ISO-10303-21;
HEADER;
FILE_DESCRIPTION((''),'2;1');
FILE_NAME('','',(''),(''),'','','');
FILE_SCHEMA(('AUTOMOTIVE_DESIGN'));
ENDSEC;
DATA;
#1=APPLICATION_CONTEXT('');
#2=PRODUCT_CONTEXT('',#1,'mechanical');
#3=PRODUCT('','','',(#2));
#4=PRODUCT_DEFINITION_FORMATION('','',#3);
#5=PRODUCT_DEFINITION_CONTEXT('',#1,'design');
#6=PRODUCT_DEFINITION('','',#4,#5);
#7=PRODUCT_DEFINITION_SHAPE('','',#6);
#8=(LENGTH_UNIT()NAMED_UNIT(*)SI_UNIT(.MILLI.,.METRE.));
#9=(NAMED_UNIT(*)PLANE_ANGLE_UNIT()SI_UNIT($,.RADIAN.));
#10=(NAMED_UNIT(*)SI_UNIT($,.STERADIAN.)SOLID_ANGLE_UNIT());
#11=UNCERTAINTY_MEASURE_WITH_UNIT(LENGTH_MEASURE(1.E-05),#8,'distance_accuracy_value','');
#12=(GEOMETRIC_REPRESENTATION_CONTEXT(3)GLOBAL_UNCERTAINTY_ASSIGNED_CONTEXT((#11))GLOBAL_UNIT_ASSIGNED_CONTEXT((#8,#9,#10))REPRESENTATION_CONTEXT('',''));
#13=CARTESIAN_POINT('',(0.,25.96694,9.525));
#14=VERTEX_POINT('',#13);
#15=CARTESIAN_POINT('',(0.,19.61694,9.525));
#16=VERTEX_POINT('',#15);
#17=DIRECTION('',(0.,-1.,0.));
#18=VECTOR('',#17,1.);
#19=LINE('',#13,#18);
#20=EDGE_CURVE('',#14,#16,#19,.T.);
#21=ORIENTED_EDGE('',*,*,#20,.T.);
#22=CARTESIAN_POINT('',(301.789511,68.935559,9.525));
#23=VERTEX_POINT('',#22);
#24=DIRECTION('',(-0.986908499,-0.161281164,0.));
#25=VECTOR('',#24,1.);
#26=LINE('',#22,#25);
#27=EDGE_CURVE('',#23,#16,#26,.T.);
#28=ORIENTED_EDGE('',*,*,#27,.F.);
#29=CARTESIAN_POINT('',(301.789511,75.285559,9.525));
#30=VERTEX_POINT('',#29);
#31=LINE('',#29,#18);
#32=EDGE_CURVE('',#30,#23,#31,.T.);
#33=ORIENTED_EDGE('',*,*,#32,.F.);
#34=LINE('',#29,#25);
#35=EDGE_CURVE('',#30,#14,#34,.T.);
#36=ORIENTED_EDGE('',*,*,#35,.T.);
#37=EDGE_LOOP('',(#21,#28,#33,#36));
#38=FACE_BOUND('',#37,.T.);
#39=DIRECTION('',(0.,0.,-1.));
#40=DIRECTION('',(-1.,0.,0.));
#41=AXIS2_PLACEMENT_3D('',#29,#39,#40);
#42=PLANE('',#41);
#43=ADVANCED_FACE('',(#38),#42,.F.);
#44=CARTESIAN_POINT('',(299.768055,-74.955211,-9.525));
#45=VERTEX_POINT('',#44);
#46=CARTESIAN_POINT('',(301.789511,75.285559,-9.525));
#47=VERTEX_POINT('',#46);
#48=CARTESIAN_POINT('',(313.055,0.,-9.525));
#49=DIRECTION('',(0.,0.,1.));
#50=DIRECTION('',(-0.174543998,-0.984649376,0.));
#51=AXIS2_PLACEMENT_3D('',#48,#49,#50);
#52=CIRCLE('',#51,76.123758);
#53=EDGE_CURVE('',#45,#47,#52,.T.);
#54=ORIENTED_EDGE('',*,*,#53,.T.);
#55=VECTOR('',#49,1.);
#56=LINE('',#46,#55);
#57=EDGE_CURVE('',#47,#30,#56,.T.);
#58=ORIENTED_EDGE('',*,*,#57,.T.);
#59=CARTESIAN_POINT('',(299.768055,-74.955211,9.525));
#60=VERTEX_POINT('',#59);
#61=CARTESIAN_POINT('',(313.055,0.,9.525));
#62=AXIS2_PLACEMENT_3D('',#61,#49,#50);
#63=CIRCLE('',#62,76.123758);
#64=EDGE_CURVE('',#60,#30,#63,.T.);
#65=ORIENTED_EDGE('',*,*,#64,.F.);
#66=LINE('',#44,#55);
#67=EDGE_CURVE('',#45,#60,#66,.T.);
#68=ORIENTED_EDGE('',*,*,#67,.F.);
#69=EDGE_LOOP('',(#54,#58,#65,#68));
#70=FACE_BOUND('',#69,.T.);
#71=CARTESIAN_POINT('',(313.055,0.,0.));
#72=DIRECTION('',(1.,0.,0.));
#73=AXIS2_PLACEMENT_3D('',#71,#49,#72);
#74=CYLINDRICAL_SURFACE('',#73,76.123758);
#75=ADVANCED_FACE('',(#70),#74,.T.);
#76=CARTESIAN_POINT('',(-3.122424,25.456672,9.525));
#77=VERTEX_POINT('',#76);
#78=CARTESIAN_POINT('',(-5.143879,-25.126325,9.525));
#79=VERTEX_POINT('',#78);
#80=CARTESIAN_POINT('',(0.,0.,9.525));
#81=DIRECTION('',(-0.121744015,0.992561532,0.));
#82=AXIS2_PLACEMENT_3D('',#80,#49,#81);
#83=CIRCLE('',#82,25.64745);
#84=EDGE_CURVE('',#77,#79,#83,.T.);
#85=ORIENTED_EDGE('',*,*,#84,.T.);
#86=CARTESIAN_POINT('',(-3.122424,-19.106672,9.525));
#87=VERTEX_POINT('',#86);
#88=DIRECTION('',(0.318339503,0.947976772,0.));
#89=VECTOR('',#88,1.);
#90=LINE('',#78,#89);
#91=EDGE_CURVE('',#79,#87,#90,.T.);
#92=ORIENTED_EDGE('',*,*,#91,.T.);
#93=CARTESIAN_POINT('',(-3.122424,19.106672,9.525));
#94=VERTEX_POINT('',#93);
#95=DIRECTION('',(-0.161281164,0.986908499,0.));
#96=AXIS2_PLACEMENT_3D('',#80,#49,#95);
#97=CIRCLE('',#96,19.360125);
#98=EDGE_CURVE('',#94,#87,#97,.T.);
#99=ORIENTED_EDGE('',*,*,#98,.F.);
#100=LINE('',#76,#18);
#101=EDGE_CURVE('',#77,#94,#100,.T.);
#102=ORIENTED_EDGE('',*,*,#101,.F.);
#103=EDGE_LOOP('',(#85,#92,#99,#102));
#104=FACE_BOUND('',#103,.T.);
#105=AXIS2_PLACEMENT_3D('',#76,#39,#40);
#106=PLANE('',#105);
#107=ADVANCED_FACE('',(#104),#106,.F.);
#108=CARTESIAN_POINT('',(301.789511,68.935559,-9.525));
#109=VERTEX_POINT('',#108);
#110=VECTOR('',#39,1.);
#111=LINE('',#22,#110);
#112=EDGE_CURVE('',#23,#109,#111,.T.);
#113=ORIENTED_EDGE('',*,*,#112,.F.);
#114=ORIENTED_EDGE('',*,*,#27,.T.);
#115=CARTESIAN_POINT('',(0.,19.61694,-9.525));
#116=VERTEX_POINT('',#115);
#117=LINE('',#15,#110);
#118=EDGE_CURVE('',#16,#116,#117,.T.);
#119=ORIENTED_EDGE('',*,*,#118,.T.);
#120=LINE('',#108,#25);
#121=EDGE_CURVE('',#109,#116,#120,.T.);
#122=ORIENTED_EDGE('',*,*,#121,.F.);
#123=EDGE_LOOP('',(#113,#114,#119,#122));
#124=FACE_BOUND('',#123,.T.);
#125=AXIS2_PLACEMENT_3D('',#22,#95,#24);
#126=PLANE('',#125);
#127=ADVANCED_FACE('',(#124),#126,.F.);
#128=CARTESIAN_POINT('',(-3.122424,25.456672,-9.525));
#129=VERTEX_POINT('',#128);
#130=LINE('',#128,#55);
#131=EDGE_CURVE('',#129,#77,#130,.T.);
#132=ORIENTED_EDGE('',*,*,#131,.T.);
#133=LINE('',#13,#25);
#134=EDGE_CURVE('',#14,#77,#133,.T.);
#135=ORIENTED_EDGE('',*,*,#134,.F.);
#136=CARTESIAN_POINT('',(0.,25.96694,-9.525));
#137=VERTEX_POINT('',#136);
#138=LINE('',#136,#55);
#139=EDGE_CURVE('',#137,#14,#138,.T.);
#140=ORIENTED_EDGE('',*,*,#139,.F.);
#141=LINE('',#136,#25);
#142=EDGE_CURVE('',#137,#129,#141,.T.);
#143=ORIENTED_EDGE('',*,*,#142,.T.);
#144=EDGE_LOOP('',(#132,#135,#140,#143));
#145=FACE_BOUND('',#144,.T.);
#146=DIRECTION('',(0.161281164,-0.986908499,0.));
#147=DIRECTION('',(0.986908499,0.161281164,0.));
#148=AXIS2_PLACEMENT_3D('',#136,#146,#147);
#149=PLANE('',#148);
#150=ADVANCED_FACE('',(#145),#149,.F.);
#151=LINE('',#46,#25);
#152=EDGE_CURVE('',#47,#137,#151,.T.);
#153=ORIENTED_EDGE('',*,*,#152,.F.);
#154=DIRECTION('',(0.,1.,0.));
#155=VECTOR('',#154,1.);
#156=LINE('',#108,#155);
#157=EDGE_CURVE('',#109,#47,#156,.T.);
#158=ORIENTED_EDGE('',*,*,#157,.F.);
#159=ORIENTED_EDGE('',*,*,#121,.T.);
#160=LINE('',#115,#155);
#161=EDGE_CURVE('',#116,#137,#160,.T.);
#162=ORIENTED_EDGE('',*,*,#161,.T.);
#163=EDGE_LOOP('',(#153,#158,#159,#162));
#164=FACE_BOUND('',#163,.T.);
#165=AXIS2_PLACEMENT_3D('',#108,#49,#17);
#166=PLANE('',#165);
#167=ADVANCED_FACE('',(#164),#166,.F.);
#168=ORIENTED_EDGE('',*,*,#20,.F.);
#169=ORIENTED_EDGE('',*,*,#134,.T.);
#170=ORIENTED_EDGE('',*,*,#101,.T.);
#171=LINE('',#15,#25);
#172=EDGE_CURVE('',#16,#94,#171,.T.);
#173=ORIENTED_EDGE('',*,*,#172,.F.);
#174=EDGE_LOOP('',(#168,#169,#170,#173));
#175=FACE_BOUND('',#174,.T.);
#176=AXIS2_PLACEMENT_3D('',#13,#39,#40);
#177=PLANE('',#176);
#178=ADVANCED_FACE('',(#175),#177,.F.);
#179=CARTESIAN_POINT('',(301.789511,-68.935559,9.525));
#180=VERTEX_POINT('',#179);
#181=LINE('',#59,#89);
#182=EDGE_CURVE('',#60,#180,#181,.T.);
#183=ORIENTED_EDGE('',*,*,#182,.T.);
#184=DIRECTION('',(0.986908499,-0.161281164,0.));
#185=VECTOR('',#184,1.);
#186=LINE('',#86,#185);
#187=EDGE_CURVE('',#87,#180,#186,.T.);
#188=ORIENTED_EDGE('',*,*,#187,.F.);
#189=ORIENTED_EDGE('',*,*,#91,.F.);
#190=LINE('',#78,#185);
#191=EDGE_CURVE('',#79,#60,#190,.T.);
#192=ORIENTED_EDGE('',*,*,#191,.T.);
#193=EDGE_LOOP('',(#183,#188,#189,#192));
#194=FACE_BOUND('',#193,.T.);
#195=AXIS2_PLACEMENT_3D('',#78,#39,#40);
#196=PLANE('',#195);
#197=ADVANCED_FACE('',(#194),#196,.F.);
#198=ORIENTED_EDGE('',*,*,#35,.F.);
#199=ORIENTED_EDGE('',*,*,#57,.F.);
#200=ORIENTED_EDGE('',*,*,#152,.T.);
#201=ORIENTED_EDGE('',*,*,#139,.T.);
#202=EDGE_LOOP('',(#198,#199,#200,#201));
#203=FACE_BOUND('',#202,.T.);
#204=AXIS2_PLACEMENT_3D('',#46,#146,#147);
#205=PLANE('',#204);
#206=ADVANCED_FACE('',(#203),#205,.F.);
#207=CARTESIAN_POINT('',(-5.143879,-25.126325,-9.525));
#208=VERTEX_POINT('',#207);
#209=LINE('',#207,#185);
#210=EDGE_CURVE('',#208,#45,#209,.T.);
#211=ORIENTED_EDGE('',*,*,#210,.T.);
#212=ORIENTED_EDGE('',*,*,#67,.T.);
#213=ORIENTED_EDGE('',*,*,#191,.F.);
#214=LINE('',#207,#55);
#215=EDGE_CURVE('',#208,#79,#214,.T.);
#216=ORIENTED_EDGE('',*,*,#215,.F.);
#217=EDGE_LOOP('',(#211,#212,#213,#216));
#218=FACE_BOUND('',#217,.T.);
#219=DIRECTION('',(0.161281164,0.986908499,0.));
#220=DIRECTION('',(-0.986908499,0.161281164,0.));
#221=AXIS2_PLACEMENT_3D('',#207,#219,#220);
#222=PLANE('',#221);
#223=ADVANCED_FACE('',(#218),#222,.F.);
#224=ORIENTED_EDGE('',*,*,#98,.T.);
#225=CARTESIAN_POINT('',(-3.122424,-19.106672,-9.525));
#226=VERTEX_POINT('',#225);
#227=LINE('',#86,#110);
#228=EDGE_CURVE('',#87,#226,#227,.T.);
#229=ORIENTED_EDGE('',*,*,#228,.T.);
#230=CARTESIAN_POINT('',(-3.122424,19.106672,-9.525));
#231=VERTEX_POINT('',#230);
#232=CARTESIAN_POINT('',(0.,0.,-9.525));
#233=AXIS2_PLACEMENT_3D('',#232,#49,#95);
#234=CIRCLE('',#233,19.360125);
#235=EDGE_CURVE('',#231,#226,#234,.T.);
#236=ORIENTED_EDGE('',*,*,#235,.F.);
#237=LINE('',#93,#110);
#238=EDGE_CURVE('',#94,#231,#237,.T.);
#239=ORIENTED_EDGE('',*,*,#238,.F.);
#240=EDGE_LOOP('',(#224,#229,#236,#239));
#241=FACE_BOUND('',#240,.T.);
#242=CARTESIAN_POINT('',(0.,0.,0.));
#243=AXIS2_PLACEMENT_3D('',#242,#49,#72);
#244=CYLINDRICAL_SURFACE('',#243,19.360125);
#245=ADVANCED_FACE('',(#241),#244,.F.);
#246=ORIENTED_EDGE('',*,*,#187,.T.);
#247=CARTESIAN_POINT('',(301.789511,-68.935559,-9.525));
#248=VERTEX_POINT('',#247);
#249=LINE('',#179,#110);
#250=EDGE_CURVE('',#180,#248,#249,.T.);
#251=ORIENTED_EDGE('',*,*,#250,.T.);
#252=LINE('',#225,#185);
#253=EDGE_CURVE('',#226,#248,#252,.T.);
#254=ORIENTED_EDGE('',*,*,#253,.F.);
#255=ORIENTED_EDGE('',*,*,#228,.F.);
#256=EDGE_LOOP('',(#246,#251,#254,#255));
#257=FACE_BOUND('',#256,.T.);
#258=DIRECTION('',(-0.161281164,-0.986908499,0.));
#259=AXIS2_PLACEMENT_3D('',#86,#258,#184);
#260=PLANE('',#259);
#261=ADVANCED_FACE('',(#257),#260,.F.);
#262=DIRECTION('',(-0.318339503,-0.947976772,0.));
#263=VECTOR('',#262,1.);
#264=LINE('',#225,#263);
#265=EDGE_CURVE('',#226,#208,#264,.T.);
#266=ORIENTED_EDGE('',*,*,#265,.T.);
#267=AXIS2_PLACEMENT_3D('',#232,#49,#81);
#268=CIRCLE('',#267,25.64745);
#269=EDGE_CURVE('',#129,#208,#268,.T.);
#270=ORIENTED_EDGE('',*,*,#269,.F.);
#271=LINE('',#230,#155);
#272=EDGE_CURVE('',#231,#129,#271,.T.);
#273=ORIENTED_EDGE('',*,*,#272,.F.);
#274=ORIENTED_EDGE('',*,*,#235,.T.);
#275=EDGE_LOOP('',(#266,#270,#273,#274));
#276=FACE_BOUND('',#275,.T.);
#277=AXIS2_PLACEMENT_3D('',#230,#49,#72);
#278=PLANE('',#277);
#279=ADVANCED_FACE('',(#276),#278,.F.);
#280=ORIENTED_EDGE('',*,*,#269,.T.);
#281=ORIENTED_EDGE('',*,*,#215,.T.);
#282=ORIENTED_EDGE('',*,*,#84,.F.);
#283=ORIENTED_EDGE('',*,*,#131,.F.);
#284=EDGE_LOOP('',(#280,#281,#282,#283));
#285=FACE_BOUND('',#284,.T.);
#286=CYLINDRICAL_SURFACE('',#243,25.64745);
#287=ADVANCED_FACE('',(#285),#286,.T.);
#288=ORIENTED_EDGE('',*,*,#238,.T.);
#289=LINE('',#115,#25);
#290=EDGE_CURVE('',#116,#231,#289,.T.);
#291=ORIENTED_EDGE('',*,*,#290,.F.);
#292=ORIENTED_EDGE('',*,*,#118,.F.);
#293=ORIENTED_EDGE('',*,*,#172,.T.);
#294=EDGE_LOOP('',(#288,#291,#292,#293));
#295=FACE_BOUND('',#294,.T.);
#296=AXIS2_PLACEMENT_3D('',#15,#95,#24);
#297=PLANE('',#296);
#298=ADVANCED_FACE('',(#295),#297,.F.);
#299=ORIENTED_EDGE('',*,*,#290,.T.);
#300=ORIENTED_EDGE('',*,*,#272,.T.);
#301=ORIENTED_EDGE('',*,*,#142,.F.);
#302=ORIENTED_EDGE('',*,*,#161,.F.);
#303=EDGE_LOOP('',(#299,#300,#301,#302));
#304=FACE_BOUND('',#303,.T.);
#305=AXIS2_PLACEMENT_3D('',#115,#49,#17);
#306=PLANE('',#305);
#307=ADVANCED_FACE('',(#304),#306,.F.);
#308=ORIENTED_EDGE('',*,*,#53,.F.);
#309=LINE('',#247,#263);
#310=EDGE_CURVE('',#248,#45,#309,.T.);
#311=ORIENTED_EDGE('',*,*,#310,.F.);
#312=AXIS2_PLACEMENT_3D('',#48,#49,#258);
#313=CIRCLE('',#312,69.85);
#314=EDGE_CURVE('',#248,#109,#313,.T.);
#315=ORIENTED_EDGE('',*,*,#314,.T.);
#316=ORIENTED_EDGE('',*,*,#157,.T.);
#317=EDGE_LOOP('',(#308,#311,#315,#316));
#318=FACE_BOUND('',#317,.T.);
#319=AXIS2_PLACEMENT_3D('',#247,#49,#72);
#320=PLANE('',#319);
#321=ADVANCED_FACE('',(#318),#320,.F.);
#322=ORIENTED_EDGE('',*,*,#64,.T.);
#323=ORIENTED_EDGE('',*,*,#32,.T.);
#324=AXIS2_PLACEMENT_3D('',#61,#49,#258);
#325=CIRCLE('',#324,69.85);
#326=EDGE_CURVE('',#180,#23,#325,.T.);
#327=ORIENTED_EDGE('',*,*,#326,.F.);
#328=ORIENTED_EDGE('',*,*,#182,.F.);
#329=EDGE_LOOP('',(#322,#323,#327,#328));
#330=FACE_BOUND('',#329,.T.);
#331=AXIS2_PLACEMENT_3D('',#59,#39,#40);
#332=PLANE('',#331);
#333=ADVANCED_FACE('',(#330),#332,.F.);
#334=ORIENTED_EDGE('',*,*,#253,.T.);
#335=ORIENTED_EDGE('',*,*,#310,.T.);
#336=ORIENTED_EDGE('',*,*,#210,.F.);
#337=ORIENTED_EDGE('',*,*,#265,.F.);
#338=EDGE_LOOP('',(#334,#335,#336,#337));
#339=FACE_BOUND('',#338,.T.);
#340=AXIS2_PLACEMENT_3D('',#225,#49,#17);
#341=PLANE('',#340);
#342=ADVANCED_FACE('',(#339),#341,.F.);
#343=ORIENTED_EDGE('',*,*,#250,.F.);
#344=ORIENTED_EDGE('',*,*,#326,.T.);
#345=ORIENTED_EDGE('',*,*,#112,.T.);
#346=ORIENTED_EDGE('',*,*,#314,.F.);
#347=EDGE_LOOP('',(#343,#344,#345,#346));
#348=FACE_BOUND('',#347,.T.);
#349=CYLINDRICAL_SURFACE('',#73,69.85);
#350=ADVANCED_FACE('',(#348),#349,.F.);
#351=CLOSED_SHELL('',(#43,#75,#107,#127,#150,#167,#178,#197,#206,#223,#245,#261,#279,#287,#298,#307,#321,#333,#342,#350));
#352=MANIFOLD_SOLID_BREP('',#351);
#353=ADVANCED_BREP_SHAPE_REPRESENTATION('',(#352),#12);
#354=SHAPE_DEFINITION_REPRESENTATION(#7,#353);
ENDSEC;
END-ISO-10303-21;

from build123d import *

# Parameters (mm, degrees)
SKETCH3_W = 19.05
SKETCH3_H = 6.35


with BuildPart() as part:
    # Sweep1: sweep along a path in Sketch2
    with BuildLine(Plane.XY) as sweep1_path:
        Line((-3.122423531, 19.106672138), (301.7895107, 68.935558682))
        ThreePointArc((301.7895107, 68.935558682), (382.905, 0), (301.7895107, -68.935558682))
        Line((301.7895107, -68.935558682), (-3.122423531, -19.106672138))
        ThreePointArc((-3.122423531, -19.106672138), (-19.360125229, 0), (-3.122423531, 19.106672138))
    # Sketch3 → Sweep1 (sweep)
    with BuildSketch(Plane(origin=(0, 0, 0), x_dir=(0, 0, -1), z_dir=(1, 0, 0))):
        with Locations((0, 22.791940417)):
            Rectangle(SKETCH3_W, SKETCH3_H)
    sweep(path=sweep1_path.line)


solid = part.part
